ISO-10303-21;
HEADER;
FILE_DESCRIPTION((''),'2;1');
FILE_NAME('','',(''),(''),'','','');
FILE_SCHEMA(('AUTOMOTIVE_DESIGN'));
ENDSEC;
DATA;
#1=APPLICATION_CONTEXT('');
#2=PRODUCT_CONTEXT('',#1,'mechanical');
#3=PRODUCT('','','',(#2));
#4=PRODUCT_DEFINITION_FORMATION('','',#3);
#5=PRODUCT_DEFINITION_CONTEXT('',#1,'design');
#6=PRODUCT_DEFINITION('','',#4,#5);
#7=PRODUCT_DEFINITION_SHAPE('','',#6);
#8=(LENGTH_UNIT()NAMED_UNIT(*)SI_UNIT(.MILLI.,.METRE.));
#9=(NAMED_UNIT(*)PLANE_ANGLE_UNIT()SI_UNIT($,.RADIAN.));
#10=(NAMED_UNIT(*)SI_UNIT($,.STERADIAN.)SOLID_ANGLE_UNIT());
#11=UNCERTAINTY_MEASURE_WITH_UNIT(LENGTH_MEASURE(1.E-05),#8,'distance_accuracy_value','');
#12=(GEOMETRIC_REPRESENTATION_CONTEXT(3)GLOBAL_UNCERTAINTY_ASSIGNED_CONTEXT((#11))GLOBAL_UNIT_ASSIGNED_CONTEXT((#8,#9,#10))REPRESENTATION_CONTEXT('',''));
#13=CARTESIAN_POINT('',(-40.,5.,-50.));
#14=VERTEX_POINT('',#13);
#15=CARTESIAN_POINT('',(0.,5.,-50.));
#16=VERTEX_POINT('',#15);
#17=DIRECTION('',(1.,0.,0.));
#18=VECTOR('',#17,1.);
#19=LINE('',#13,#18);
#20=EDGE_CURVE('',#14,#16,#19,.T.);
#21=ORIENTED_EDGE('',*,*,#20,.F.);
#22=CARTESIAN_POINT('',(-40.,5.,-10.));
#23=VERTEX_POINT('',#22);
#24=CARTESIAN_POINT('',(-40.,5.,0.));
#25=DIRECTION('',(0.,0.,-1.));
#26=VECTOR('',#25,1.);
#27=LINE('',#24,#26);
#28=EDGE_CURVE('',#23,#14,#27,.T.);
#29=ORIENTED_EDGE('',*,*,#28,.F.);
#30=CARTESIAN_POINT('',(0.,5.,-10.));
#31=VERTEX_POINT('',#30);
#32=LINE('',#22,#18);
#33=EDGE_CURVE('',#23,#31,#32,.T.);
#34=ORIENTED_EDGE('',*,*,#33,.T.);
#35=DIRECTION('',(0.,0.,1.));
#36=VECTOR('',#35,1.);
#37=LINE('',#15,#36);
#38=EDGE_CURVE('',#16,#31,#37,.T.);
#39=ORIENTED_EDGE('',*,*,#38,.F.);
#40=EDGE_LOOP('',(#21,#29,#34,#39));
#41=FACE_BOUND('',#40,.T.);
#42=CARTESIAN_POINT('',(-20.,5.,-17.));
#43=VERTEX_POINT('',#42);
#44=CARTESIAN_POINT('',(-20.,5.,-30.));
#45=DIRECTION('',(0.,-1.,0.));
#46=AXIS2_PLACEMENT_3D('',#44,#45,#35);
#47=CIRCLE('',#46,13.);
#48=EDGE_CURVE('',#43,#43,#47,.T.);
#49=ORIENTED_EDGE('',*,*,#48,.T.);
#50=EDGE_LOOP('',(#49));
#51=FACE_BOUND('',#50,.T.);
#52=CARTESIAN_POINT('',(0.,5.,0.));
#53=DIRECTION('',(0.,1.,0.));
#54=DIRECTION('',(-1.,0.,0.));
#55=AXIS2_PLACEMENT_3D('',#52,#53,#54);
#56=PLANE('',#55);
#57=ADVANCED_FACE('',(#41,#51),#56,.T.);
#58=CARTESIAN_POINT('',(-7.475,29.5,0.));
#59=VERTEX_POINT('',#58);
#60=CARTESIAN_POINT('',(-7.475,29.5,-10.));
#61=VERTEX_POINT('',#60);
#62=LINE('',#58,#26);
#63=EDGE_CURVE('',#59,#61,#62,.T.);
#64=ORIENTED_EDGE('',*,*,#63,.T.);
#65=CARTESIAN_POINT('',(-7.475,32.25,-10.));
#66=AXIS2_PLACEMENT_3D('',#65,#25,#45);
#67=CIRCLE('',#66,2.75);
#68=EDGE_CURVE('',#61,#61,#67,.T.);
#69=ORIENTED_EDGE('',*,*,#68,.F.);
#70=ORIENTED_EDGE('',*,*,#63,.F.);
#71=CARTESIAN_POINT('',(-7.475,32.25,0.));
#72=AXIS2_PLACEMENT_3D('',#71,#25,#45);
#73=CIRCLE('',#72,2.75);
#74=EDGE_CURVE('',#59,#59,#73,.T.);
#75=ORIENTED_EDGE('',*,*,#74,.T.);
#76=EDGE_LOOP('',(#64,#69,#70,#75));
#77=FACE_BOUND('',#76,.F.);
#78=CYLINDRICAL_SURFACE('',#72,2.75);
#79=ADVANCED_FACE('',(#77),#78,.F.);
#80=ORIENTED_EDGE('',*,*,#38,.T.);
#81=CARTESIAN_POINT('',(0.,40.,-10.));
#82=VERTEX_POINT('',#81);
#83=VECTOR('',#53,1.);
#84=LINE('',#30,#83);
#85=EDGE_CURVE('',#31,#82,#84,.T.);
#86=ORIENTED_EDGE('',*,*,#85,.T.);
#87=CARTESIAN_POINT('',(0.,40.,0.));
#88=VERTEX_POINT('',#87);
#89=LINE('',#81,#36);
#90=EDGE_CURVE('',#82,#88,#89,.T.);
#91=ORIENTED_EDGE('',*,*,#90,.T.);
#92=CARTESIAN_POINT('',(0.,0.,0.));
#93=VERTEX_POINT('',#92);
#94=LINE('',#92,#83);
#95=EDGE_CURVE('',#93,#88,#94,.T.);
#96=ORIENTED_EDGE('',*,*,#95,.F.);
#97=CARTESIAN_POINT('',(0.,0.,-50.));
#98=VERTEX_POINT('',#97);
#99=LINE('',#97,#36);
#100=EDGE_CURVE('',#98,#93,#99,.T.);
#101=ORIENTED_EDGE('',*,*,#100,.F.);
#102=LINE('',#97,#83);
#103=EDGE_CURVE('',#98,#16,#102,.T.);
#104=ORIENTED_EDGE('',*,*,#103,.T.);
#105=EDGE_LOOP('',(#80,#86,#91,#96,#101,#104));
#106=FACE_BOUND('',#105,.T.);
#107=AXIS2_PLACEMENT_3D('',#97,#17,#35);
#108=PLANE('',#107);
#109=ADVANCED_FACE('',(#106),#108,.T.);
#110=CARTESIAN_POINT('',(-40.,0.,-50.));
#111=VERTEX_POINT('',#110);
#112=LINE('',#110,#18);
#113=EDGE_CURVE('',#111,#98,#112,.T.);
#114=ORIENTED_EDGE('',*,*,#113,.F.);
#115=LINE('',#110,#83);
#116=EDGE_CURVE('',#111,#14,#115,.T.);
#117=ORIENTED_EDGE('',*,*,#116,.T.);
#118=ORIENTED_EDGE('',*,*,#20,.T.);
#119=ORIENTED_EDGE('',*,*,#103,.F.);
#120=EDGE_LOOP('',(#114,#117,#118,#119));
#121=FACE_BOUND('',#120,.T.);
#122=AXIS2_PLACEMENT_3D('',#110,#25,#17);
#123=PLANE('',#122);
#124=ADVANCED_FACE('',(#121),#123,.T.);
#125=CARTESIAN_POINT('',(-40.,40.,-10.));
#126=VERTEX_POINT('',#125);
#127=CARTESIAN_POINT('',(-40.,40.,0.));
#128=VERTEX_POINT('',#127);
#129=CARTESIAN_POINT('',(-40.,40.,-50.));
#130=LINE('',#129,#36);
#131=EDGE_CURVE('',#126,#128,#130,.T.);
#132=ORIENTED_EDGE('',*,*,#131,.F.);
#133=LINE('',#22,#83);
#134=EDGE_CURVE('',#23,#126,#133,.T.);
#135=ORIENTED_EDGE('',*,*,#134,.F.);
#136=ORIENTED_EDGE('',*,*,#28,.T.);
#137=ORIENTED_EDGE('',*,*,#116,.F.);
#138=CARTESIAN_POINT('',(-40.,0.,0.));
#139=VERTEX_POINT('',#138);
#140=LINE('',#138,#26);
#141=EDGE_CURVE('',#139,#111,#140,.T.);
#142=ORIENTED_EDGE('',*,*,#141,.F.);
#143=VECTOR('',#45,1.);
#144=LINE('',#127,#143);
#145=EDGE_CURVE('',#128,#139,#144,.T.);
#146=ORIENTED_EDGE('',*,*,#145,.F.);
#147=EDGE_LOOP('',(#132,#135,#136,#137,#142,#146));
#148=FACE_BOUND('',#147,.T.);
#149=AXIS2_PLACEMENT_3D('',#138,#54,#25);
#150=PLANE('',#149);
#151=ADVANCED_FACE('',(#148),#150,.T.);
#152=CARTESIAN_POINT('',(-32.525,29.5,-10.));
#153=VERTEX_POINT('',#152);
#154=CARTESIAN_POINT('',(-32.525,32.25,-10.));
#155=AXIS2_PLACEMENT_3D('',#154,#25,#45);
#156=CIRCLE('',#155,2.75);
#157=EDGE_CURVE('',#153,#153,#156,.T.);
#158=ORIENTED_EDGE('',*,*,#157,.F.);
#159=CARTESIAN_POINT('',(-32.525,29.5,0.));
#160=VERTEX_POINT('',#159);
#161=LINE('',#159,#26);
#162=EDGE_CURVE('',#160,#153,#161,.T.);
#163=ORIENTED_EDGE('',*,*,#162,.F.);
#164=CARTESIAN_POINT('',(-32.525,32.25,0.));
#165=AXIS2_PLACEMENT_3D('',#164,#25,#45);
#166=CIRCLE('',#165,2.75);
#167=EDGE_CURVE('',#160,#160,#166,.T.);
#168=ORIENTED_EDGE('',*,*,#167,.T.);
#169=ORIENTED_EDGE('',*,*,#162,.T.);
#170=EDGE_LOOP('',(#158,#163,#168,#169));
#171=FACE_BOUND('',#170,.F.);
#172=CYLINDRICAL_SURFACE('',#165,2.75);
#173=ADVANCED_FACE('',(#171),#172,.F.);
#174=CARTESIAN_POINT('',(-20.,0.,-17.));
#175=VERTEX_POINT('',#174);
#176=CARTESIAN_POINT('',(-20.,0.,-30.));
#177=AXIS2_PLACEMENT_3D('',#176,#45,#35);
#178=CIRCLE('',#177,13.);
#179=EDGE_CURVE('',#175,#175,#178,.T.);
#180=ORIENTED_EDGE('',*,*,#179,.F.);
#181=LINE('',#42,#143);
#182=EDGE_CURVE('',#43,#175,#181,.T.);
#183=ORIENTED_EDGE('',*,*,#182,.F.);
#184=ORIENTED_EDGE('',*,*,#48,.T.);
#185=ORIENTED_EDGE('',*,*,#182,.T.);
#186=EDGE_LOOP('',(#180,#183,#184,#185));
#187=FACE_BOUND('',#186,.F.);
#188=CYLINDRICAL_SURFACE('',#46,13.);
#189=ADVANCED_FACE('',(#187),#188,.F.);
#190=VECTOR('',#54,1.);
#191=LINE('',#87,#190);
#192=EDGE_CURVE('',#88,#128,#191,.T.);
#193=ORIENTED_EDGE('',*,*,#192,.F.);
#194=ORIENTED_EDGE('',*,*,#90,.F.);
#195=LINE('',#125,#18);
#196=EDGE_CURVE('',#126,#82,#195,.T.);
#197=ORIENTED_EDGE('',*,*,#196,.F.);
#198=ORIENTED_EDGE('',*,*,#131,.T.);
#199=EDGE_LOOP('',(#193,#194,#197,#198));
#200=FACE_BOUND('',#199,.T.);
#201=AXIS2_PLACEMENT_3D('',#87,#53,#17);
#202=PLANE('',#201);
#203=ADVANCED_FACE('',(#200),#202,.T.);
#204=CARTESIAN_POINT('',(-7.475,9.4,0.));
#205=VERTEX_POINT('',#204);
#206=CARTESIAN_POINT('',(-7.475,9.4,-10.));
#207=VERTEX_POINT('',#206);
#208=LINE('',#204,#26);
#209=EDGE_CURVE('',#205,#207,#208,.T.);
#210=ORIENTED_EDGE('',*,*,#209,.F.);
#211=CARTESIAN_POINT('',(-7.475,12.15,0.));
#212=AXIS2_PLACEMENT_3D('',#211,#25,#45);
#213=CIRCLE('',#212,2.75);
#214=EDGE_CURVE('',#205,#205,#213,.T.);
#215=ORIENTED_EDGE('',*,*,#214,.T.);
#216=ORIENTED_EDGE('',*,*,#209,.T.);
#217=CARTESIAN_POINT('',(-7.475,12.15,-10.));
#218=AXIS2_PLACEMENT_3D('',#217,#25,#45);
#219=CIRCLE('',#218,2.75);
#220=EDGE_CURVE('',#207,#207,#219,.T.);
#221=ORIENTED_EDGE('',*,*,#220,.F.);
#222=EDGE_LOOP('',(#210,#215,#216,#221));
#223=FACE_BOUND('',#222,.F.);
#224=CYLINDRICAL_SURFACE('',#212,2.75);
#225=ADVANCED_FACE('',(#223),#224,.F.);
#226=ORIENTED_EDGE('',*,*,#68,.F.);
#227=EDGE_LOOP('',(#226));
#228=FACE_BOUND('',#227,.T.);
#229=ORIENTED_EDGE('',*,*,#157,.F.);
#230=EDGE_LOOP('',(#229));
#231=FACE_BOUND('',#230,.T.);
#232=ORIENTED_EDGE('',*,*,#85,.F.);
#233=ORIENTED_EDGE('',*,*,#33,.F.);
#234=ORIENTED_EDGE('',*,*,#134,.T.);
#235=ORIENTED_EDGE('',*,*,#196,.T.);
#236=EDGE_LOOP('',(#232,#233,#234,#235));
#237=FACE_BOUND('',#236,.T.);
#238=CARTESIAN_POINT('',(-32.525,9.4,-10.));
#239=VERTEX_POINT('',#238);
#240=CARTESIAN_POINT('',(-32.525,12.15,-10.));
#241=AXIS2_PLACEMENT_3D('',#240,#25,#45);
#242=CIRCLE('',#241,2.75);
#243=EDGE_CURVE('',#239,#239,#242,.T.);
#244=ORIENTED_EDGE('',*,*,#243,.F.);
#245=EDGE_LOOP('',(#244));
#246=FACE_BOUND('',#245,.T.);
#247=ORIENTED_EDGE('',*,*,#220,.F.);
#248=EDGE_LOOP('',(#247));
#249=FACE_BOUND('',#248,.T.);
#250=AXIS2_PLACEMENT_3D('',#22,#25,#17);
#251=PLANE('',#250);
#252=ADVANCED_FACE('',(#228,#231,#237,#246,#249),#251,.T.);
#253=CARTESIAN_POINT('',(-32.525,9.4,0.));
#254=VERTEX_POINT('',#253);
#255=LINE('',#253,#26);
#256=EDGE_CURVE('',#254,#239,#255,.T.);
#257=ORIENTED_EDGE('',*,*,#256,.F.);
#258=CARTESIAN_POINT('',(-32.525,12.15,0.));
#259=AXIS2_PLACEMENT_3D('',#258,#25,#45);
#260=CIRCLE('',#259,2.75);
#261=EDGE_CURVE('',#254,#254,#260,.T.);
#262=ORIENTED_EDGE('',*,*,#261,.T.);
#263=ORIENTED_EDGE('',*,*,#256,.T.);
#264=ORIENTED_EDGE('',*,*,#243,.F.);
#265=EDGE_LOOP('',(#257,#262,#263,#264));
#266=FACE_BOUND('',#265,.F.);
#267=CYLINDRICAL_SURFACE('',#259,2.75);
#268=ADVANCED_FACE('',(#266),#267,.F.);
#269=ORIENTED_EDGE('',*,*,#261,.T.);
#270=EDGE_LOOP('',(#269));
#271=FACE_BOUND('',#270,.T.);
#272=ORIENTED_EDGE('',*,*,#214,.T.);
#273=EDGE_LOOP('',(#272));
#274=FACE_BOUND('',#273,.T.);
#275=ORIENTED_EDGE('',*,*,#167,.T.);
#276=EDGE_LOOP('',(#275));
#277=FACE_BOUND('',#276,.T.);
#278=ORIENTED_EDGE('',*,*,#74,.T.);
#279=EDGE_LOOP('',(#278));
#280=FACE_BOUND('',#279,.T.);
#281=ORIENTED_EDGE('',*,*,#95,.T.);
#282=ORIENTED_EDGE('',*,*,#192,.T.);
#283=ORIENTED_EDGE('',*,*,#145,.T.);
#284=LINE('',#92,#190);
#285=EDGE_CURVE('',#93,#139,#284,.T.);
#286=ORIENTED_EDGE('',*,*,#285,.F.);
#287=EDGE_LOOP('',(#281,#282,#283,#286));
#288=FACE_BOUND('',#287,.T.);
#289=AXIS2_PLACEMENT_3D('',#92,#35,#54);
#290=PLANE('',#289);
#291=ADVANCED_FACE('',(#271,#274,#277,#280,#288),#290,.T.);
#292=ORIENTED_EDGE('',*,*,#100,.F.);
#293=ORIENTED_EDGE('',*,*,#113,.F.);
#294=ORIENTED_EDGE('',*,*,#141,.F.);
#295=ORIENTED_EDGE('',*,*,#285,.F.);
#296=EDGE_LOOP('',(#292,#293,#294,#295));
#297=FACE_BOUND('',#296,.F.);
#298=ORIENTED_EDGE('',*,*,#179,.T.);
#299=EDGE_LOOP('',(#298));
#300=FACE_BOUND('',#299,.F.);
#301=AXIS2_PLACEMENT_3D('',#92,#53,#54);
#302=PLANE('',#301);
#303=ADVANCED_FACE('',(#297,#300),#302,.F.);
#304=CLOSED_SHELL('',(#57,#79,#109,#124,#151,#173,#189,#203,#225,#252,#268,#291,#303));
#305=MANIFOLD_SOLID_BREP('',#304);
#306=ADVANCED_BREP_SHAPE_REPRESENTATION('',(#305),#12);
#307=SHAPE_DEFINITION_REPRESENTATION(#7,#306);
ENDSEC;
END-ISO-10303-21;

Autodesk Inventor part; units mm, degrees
ref_plane "YZ Plane" through (0, 0, 0) normal (1, 0, 0) x (0, 1, 0)
ref_plane "XZ Plane" through (0, 0, 0) normal (0, 1, 0) x (-1, 0, 0)
ref_plane "XY Plane" through (0, 0, 0) normal (0, 0, 1) x (1, 0, 0)
sketch "Esboço1" plane through (0, 0, 0) normal (0, 1, 0) x (-1, 0, 0)
  line L0 (0, 0) -> (40, 0)
  line L1 (40, 0) -> (40, -50)
  line L2 (40, -50) -> (0, -50)
  line L3 (0, -50) -> (0, 0)
  dimension "d0" = 40
  dimension "d1" = 50
extrude "Extrusão1" add sketch "Esboço1" along normal blind 5
sketch "Esboço2" plane through (0, 5, 0) normal (0, 1, 0) x (1, 0, 0)
  line L0 (-40, 50) -> (-40, 0) projected
  line L1 (0, 0) -> (-40, 0)
  line L2 (-40, 0) -> (-40, 10)
  line L3 (-40, 10) -> (0, 10)
  line L4 (0, 10) -> (0, 0)
  point P0 (-40, 0)
  dimension "d4" = 10
extrude "Extrusão2" add sketch "Esboço2" along normal blind 35
sketch "Esboço3" plane through (0, 5, 0) normal (0, 1, 0) x (1, 0, 0)
  line L0 (-40, 50) -> (-40, 10) projected
  line L1 (0, 50) -> (-40, 50) projected
  point P0 (0, 0)
  point P1 (-20, 30)
  dimension "d7" = 40
  dimension "d8" = 40
  dimension "d9" = 20
  dimension "d10" = 20
hole "Furo1" at (-20, 5, -30) direction (0, -1, 0) diameter 26 end through all
sketch "Sketch4" plane through (-40, 0, 0) normal (0, 0, 1) x (1, 0, 0)
  line L0 (0, 0) -> (0, 40) projected
  line L1 (0, 40) -> (40, 40) projected
  point P0 (40, 0)
  point P1 (7.475, 12.15)
  point P2 (7.475, 32.25)
  point P3 (32.525, 12.15)
  point P4 (32.525, 32.25)
  dimension "d20" = 20.1
  dimension "d23" = 25.05
  dimension "d26" = 7.75
  dimension "d27" = 40
  dimension "d28" = 7.475
hole "Hole2" at (-32.525, 12.15, 0) at (-32.525, 32.25, 0) at (-7.475, 12.15, 0) at (-7.475, 32.25, 0) direction (0, 0, -1) diameter 5.5 end through all
equation "\"d9\" = 0.5 * d8"
equation "\"d10\" = 0.5 * d7"
equation "\"d16\" = Espessura"
equation "\"d28\" = -0.5 * d23 + 0.5 * d27"
equation "\"d34\" = Espessura"
equation "\"Raio_vergadura\" = Espessura"
equation "\"Largura_alívio_de_vergadura\" = Espessura"
equation "\"Profundidade_alívio_de_vergadura\" = 0.5 * Espessura"
equation "\"Tamanho_alívio_de_dobra\" = 4 * Espessura"
equation "\"Remanescente_mínimo\" = 2 * Espessura"
equation "\"Raiodetransição\" = Raio_vergadura"
equation "\"Tamanho_de_raio_de_Jacobi\" = Raio_vergadura"
equation "\"TamanhoFolga\" = Espessura"
equation "\"Espessura\" = 0.5"
properties part number "Suporte da guia do eixo" material "Alumínio 6061"
